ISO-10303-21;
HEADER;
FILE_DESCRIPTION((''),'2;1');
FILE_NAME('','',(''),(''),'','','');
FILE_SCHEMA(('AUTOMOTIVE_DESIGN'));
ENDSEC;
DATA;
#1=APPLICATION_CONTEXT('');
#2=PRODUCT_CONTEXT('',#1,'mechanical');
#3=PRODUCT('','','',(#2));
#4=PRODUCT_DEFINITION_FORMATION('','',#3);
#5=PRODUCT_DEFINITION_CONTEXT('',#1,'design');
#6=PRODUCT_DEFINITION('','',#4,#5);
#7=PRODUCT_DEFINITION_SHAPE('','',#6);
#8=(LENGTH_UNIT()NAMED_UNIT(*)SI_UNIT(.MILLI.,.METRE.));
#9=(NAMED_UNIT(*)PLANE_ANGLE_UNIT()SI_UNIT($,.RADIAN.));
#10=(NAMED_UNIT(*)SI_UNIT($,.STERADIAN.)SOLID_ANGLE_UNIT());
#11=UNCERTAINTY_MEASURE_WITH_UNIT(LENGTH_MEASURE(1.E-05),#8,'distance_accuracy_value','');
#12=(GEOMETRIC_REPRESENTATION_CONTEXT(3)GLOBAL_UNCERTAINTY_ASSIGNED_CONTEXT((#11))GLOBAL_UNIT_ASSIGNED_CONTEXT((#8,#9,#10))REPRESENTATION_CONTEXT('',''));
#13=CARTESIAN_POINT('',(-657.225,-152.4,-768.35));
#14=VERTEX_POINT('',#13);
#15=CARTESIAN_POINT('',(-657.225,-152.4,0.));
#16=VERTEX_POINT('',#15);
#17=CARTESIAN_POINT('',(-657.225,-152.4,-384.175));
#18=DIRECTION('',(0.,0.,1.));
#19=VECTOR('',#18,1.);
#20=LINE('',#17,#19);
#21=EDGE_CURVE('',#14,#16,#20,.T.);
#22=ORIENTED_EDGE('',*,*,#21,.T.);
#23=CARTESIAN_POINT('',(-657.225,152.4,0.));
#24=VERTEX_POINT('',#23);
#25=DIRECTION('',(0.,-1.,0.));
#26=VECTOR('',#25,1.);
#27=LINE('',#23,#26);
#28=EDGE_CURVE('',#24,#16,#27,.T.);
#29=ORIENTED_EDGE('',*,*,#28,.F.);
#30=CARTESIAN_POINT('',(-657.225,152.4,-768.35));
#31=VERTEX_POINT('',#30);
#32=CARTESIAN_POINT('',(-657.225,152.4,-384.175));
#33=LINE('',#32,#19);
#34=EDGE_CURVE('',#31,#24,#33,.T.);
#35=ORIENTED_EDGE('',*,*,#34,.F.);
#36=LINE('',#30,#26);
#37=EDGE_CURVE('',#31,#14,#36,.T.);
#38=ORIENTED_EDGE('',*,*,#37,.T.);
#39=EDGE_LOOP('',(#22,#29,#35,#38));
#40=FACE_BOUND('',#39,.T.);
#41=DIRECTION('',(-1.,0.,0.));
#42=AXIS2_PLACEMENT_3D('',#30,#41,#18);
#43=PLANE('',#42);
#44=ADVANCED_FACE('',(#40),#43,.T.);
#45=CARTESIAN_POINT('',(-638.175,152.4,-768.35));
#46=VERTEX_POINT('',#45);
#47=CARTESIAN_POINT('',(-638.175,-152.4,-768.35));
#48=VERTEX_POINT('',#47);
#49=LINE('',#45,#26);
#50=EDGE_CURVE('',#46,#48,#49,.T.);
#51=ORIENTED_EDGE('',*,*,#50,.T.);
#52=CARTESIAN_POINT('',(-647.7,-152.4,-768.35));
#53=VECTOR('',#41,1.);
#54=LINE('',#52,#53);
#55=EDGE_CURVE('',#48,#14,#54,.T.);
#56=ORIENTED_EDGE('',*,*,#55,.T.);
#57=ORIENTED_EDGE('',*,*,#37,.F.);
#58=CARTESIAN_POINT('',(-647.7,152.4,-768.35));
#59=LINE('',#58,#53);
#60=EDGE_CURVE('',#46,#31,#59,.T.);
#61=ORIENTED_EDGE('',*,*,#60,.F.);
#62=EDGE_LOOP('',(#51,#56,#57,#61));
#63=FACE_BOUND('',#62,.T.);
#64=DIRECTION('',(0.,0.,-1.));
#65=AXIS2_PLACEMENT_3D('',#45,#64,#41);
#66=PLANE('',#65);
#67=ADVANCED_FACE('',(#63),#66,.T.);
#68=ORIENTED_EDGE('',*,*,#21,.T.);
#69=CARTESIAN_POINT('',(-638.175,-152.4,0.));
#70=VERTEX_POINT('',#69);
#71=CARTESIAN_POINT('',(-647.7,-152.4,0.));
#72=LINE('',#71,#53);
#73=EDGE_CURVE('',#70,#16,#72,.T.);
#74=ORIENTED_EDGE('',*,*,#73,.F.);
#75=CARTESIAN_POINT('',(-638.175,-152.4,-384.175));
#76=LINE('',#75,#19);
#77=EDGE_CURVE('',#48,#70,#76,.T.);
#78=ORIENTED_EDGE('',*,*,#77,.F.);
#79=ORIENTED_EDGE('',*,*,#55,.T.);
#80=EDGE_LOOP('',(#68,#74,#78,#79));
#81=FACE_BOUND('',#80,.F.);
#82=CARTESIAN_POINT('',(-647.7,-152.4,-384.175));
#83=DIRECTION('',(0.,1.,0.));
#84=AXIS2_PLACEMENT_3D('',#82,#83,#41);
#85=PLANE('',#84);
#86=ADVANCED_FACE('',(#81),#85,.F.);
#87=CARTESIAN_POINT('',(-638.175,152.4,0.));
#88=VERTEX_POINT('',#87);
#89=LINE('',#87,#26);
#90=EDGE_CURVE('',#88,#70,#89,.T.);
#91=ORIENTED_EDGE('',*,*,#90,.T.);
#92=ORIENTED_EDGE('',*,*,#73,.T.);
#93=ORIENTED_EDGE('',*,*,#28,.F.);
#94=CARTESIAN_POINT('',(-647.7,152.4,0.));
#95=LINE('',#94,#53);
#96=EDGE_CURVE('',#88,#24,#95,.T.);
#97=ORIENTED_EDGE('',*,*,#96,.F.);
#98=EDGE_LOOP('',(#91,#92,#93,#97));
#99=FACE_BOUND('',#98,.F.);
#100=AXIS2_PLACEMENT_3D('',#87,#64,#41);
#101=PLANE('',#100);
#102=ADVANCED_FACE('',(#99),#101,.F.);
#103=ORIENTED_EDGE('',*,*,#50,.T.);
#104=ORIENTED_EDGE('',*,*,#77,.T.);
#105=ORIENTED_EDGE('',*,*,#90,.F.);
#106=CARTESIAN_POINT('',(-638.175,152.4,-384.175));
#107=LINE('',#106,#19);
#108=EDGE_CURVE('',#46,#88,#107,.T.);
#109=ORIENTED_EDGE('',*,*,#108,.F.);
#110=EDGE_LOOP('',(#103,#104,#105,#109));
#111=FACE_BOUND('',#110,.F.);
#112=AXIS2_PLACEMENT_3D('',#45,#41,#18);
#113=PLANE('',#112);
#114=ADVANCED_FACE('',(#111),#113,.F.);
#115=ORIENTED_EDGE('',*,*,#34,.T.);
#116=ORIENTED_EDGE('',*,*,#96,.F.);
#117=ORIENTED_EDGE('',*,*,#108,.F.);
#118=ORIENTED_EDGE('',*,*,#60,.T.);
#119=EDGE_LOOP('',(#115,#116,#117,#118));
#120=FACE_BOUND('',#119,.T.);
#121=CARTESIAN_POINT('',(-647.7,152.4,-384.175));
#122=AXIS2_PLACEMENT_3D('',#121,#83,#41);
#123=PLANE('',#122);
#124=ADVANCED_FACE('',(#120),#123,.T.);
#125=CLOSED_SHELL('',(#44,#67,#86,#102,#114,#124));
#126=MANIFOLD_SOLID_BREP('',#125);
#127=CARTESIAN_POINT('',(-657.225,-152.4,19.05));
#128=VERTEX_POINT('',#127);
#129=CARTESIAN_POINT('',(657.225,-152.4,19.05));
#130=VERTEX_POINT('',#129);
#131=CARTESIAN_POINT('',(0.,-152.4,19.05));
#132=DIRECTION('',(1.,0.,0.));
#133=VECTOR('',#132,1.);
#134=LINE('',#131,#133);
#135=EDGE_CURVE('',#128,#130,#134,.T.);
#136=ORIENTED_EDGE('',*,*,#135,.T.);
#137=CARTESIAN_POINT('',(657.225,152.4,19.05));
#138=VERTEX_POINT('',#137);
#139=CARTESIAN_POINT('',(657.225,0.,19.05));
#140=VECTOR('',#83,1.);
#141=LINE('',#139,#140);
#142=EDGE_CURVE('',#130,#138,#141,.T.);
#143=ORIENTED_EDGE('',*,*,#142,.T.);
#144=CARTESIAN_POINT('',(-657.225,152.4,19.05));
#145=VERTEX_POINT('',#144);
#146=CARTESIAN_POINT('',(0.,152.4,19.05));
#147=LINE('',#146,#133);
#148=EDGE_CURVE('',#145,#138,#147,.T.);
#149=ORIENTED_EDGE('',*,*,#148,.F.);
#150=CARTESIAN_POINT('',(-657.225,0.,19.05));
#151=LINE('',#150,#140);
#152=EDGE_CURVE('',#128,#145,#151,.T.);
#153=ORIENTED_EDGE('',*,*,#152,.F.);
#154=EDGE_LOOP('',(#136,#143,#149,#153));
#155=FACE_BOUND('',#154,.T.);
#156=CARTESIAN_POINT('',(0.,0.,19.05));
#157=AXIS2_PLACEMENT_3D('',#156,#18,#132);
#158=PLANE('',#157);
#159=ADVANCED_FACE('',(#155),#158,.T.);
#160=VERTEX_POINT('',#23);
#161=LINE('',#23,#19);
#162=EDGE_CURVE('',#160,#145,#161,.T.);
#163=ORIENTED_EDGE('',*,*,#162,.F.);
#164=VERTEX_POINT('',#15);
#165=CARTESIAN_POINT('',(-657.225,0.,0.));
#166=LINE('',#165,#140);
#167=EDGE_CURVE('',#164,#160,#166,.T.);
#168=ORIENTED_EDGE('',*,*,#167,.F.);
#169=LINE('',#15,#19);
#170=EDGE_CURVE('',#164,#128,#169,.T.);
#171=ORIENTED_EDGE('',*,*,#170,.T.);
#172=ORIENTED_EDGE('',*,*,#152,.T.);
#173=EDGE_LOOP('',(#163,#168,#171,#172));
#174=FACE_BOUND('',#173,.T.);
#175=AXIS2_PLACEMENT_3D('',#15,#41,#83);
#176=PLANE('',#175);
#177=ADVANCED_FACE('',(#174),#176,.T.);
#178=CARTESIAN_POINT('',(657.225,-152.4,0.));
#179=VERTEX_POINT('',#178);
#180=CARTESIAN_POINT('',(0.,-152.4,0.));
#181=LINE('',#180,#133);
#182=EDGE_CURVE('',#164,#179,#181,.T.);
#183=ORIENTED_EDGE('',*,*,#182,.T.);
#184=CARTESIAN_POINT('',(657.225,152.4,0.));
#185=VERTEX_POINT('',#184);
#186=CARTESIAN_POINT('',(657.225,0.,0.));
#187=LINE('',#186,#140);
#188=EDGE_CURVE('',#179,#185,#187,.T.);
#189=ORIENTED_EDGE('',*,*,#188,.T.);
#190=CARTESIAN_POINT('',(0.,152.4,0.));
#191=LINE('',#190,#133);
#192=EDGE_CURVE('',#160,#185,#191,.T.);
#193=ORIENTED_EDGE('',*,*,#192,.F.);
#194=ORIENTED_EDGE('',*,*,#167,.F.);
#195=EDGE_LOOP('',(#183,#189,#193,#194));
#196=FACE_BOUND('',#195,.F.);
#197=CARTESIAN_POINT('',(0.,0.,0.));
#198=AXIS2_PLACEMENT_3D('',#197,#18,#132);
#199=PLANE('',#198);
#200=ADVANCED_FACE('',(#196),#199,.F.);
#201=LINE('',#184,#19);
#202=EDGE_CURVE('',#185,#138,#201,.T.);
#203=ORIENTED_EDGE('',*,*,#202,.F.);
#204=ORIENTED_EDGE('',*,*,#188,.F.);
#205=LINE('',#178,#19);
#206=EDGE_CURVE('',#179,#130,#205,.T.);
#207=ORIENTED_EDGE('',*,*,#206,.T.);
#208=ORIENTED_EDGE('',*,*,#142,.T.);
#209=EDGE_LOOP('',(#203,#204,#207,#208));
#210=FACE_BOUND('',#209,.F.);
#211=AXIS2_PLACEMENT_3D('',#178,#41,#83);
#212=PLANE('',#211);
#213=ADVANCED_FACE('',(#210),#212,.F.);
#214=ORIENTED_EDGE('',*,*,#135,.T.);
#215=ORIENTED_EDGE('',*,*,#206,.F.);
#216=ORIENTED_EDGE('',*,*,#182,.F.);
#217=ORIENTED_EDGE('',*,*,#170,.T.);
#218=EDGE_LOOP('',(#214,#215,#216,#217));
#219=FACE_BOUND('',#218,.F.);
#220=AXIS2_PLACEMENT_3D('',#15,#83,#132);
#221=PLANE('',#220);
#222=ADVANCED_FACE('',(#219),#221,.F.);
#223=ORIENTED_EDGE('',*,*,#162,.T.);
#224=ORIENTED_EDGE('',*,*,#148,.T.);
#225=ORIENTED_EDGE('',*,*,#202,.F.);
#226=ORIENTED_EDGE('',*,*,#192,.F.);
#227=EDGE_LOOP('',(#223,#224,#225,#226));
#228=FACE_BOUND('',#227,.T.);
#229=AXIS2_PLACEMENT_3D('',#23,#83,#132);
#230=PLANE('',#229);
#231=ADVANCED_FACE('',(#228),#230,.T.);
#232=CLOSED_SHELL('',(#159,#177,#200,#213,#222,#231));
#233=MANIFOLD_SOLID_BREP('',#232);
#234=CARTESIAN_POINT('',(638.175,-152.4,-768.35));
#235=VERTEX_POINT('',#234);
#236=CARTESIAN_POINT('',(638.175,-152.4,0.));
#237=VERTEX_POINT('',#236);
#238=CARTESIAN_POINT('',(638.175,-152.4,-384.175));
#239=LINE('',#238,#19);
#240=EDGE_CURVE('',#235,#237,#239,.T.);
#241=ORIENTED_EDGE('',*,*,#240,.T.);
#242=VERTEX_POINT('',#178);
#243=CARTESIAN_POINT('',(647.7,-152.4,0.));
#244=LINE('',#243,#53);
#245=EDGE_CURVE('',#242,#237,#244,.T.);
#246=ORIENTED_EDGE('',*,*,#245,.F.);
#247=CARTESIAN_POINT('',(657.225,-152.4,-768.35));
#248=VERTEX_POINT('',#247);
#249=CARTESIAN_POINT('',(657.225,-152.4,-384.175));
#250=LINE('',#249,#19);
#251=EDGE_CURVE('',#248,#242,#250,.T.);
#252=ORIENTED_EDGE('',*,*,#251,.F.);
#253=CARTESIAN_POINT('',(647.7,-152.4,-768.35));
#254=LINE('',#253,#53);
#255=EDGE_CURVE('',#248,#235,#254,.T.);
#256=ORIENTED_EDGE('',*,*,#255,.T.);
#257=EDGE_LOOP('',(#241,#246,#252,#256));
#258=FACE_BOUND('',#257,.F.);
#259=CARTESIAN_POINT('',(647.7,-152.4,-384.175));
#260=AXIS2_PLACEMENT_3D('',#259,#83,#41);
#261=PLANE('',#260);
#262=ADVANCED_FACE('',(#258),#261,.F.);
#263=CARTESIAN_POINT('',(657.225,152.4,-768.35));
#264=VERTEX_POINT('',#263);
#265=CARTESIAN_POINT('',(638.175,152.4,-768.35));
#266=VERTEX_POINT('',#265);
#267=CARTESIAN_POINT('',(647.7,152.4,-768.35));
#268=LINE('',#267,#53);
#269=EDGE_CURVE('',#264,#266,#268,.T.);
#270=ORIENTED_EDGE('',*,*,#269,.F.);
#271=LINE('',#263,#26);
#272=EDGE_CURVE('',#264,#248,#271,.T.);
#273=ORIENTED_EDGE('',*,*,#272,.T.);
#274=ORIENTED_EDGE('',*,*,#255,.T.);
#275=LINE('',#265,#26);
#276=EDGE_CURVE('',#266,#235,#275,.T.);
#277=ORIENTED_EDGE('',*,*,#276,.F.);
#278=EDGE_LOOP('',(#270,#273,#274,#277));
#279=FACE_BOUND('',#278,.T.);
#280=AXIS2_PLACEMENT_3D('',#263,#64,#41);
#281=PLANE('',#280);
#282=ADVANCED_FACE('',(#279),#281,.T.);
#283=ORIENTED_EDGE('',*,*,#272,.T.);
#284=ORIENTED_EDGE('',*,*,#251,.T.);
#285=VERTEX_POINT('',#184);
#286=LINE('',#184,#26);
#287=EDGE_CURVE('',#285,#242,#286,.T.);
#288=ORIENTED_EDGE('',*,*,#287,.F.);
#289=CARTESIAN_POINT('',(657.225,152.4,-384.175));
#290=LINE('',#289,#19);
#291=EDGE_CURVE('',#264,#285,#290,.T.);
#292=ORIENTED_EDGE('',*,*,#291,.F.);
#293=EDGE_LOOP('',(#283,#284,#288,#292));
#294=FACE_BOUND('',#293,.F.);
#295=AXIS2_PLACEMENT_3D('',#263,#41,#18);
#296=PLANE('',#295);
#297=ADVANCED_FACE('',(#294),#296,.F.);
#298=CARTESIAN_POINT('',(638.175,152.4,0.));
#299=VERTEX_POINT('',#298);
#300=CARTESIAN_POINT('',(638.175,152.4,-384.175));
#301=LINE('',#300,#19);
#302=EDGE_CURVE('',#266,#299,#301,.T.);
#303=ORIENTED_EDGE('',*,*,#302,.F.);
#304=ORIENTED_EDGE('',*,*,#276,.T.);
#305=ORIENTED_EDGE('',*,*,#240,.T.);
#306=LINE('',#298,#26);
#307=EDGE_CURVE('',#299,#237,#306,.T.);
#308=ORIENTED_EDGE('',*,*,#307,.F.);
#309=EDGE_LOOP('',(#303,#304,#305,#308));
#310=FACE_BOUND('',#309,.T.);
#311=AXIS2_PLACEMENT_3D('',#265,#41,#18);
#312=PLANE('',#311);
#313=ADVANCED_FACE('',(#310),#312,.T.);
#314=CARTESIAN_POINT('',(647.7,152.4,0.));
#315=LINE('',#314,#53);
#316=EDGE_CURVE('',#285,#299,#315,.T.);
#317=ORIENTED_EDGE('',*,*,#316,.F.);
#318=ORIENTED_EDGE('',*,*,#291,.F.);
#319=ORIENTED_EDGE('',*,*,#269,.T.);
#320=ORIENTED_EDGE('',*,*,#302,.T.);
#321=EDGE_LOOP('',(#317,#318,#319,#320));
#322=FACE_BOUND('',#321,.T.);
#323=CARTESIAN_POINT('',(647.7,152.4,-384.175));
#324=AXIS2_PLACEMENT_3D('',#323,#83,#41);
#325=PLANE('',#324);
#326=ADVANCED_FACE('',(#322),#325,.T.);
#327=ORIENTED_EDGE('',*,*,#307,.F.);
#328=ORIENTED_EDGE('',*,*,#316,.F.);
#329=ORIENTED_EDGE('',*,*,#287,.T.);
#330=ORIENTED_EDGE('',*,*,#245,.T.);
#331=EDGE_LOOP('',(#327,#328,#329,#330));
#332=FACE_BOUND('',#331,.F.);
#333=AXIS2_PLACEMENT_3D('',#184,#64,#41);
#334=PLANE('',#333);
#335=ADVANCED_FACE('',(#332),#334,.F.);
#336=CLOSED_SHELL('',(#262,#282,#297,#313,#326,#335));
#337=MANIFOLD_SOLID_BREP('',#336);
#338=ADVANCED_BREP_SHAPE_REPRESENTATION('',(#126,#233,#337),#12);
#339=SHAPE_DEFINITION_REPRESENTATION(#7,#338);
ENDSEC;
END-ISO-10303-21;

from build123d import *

# Parameters (mm, degrees)
F0_W     = 1314.45
F0_H     = 304.8
F1_DEPTH = 19.05
F2_W     = 19.05
F2_H     = 768.35
F3_DEPTH = 304.8


with BuildPart() as f1:
    # F0 (on Top) → F1 (new body)
    with BuildSketch(Plane.XY):
        Rectangle(F0_W, F0_H)
    extrude(amount=F1_DEPTH)


with BuildPart() as f3:
    # F2 (on face) → F3 (new body)
    with BuildSketch(Plane(origin=(0, 152.4, 0), x_dir=(-1, 0, 0), z_dir=(0, 1, 0))):
        with Locations((-647.7, -384.175)):
            Rectangle(F2_W, F2_H)
        with Locations((647.7, -384.175)):
            Rectangle(F2_W, F2_H)
    extrude(amount=-F3_DEPTH)


solid = Compound([f1.part, f3.part])
